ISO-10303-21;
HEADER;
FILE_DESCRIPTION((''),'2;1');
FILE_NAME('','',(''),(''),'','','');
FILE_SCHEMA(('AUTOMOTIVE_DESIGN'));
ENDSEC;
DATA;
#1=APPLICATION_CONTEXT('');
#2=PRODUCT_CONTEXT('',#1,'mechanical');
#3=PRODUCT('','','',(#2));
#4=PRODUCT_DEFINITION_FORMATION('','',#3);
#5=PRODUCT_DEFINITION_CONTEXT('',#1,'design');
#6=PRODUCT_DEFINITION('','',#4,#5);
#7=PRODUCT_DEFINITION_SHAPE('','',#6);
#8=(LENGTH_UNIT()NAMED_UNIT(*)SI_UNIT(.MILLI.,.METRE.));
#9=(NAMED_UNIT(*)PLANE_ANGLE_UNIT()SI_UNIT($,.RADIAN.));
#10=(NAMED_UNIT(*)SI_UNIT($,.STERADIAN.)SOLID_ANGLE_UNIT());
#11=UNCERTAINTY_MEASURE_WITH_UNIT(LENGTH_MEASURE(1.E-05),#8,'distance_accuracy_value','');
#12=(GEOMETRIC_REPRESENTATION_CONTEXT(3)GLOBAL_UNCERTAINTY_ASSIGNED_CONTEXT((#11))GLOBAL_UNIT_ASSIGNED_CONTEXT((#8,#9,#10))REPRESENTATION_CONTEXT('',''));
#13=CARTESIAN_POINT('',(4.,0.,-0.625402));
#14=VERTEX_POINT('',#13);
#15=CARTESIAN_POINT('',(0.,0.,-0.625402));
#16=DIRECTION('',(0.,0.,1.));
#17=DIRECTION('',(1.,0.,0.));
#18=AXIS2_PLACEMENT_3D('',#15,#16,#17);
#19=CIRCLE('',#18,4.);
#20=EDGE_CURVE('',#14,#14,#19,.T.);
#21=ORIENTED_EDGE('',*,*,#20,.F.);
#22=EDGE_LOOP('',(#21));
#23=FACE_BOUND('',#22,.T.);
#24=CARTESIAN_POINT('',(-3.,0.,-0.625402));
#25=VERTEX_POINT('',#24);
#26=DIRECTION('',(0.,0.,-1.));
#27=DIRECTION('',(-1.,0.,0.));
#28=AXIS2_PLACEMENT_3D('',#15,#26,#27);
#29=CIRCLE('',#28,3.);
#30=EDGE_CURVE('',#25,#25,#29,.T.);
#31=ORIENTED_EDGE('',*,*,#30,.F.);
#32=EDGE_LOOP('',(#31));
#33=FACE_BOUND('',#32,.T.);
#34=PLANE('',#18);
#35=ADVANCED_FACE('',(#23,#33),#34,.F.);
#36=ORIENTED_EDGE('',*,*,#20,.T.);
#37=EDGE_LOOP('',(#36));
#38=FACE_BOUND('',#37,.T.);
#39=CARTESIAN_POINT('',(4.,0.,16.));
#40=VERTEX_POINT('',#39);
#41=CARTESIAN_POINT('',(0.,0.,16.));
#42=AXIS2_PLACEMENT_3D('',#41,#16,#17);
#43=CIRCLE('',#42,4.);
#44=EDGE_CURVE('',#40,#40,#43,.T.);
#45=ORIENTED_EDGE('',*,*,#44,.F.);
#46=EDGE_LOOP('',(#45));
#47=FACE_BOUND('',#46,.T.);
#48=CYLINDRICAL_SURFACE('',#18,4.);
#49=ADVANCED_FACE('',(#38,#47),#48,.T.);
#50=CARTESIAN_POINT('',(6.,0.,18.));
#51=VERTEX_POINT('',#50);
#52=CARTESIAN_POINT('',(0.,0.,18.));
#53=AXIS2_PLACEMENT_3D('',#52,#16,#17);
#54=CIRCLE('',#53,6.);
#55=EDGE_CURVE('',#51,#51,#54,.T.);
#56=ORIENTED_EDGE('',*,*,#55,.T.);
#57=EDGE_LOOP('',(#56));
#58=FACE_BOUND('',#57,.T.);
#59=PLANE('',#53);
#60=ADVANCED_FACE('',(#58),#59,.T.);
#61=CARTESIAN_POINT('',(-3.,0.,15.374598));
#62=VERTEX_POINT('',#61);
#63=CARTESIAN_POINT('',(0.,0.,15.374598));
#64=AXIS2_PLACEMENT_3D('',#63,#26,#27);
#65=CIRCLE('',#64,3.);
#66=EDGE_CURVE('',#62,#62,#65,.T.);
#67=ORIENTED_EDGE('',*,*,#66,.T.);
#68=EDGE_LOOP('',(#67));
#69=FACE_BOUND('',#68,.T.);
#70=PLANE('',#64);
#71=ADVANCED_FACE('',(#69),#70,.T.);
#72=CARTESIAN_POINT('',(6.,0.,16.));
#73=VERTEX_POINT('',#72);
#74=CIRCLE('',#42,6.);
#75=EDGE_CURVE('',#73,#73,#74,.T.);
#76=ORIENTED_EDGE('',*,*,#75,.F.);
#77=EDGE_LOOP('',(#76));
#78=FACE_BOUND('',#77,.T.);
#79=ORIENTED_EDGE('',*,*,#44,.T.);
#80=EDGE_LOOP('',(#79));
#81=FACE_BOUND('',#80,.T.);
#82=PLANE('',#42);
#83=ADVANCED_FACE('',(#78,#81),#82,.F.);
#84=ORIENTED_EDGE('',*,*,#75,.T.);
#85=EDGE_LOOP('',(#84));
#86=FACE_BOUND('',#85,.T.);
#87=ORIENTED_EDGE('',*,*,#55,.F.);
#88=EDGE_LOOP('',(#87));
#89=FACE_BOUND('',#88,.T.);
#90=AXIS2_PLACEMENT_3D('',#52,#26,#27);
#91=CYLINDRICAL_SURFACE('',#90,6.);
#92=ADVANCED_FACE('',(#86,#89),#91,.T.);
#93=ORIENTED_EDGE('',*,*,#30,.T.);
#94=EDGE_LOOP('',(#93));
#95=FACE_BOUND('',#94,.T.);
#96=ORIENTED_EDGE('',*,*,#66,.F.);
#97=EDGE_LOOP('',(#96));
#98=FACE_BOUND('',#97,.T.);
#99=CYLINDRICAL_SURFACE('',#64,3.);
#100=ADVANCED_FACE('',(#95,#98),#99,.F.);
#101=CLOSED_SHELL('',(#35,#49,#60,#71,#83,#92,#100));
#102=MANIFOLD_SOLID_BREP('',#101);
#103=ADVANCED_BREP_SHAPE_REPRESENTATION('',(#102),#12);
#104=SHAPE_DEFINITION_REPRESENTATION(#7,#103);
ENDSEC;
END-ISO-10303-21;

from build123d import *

# Parameters (mm, degrees)
BOSS_EXTRUDE4_DEPTH      = 16
BOSS_EXTRUDE4_DEPTH_BACK = 0.625401596
SKETCH2_R                = 4
SKETCH4_R                = 6
BOSS_EXTRUDE5_DEPTH      = 2
SKETCH5_R                = 3
CUT_EXTRUDE1_DEPTH       = 16


with BuildPart() as part:
    # Sketch2 → Boss-Extrude4 (new, two sides: drawn at the far end of the back side and taken through both)
    with BuildSketch(Plane.XY.offset(-BOSS_EXTRUDE4_DEPTH_BACK)):
        Circle(SKETCH2_R)
    extrude(amount=BOSS_EXTRUDE4_DEPTH + BOSS_EXTRUDE4_DEPTH_BACK)

    # Sketch4 → Boss-Extrude5 (add)
    with BuildSketch(Plane.XY.offset(16)):
        Circle(SKETCH4_R)
    extrude(amount=BOSS_EXTRUDE5_DEPTH)

    # Sketch5 → Cut-Extrude1 (cut)
    with BuildSketch(Plane(origin=(0, 0, -0.625401596), x_dir=(-1, 0, 0), z_dir=(0, 0, -1))):
        Circle(SKETCH5_R)
    extrude(amount=-CUT_EXTRUDE1_DEPTH, mode=Mode.SUBTRACT)


solid = part.part
